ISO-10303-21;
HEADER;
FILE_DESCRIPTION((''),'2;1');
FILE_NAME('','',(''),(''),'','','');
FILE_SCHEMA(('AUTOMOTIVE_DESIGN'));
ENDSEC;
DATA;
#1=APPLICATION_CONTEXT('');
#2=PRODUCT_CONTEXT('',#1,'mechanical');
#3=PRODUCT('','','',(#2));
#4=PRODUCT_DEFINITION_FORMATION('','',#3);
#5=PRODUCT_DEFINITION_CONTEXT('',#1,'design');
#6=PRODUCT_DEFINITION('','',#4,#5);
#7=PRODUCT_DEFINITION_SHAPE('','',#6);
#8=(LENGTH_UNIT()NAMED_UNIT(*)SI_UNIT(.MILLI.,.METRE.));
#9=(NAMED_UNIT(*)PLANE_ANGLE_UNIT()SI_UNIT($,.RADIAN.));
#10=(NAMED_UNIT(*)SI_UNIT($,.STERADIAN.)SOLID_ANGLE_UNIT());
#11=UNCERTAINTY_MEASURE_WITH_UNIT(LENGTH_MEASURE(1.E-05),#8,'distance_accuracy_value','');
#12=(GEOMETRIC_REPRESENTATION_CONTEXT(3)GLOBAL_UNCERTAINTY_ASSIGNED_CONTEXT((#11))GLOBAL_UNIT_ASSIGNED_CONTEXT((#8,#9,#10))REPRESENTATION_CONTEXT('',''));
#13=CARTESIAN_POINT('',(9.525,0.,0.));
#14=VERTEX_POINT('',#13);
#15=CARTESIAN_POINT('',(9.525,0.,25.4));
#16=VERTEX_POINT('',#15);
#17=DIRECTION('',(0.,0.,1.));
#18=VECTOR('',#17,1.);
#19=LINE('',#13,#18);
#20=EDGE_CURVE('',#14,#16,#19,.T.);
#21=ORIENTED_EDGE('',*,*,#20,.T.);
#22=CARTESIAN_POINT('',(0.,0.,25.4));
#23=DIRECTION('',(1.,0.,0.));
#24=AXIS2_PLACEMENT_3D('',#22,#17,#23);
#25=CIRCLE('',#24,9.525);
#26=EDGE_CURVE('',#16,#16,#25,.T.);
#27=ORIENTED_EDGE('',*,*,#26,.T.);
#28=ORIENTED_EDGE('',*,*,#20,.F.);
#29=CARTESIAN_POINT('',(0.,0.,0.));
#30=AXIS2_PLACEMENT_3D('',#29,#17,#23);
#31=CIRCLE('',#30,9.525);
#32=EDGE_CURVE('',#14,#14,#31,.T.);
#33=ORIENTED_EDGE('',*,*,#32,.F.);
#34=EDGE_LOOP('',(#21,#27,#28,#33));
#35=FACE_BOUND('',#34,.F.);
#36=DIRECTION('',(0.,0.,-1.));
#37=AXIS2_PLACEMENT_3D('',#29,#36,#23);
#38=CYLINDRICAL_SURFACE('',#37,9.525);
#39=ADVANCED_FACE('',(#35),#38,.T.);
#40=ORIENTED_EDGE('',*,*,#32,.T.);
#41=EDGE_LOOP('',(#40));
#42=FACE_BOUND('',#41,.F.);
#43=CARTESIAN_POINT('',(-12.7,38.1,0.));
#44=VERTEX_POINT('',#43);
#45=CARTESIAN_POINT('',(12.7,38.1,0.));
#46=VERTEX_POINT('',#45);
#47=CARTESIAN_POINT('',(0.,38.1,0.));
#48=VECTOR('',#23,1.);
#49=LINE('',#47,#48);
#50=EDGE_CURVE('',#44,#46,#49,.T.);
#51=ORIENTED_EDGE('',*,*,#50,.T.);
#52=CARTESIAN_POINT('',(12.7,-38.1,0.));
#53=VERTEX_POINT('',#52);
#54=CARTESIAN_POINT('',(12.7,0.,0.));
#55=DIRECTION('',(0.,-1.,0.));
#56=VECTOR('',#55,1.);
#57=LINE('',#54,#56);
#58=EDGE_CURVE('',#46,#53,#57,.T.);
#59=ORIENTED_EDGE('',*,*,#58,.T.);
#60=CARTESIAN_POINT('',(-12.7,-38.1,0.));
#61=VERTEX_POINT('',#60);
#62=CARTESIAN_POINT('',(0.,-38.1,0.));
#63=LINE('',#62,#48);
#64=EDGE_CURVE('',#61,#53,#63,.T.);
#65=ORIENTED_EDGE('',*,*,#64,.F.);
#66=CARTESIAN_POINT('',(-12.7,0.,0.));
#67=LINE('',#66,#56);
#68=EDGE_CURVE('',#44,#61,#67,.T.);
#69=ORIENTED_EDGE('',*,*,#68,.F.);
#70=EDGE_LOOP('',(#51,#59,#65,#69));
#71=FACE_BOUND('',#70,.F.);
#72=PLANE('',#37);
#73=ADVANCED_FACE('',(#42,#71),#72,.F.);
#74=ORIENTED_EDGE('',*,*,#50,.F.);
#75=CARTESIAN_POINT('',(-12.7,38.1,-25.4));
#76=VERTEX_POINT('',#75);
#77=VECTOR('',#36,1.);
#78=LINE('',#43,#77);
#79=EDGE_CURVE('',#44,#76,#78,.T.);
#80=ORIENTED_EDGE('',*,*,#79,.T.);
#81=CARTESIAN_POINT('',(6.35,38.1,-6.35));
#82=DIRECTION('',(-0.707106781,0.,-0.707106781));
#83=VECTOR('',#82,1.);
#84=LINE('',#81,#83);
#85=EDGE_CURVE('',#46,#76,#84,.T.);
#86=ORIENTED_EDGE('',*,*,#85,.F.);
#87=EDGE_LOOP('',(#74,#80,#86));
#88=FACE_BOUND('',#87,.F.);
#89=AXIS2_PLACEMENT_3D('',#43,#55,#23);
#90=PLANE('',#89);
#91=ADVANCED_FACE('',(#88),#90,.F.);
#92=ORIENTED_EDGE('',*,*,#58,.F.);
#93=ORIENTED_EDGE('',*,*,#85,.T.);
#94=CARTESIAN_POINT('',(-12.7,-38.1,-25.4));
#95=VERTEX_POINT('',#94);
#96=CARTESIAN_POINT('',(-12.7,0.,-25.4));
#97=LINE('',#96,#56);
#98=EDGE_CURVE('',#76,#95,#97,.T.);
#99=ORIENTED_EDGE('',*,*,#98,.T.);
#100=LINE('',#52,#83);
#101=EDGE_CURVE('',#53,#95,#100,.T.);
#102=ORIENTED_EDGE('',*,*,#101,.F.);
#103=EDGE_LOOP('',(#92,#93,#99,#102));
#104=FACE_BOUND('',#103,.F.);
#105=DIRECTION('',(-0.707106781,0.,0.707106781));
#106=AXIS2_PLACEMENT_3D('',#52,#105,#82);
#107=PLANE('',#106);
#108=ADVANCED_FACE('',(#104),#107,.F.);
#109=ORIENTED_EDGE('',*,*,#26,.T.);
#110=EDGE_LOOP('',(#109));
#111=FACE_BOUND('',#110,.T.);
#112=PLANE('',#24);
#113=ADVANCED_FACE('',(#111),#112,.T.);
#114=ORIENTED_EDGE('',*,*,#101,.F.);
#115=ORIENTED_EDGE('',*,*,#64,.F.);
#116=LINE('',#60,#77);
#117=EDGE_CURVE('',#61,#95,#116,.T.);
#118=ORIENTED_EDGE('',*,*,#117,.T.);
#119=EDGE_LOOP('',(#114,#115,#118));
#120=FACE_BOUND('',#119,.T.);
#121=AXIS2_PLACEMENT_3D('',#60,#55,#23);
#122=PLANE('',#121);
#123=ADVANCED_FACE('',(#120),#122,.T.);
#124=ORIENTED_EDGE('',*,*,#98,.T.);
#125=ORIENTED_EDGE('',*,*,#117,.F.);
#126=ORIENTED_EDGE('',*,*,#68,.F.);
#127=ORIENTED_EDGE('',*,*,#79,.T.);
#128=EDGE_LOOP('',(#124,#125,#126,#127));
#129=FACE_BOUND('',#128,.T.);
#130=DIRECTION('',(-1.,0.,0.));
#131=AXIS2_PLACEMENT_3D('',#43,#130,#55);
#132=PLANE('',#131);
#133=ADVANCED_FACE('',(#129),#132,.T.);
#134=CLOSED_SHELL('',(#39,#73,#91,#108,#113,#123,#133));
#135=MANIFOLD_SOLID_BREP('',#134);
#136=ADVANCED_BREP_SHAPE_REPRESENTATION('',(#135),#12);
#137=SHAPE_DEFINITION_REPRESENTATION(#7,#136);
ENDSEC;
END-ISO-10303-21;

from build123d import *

# Parameters (mm, degrees)
F0_R     = 9.525
F1_DEPTH = 25.4
F2_W     = 25.4
F2_H     = 76.2
F3_DEPTH = 25.4
F5_DEPTH = 76.201


with BuildPart() as f1:
    # F0 (on Top) → F1 (new body)
    with BuildSketch(Plane.XY):
        Circle(F0_R)
    extrude(amount=F1_DEPTH)

    # F2 (on face) → F3 (join)
    with BuildSketch(Plane(origin=(0, 0, 0), x_dir=(1, 0, 0), z_dir=(0, 0, -1))):
        Rectangle(F2_W, F2_H)
    extrude(amount=F3_DEPTH)

    # F4 (on face) → F5 (cut, through all)
    with BuildSketch(Plane.XZ.offset(38.1)):
        Polygon((12.7, -25.4), (12.7, 0), (-12.7, -25.4), align=None)
    extrude(amount=-F5_DEPTH, mode=Mode.SUBTRACT)


solid = f1.part
